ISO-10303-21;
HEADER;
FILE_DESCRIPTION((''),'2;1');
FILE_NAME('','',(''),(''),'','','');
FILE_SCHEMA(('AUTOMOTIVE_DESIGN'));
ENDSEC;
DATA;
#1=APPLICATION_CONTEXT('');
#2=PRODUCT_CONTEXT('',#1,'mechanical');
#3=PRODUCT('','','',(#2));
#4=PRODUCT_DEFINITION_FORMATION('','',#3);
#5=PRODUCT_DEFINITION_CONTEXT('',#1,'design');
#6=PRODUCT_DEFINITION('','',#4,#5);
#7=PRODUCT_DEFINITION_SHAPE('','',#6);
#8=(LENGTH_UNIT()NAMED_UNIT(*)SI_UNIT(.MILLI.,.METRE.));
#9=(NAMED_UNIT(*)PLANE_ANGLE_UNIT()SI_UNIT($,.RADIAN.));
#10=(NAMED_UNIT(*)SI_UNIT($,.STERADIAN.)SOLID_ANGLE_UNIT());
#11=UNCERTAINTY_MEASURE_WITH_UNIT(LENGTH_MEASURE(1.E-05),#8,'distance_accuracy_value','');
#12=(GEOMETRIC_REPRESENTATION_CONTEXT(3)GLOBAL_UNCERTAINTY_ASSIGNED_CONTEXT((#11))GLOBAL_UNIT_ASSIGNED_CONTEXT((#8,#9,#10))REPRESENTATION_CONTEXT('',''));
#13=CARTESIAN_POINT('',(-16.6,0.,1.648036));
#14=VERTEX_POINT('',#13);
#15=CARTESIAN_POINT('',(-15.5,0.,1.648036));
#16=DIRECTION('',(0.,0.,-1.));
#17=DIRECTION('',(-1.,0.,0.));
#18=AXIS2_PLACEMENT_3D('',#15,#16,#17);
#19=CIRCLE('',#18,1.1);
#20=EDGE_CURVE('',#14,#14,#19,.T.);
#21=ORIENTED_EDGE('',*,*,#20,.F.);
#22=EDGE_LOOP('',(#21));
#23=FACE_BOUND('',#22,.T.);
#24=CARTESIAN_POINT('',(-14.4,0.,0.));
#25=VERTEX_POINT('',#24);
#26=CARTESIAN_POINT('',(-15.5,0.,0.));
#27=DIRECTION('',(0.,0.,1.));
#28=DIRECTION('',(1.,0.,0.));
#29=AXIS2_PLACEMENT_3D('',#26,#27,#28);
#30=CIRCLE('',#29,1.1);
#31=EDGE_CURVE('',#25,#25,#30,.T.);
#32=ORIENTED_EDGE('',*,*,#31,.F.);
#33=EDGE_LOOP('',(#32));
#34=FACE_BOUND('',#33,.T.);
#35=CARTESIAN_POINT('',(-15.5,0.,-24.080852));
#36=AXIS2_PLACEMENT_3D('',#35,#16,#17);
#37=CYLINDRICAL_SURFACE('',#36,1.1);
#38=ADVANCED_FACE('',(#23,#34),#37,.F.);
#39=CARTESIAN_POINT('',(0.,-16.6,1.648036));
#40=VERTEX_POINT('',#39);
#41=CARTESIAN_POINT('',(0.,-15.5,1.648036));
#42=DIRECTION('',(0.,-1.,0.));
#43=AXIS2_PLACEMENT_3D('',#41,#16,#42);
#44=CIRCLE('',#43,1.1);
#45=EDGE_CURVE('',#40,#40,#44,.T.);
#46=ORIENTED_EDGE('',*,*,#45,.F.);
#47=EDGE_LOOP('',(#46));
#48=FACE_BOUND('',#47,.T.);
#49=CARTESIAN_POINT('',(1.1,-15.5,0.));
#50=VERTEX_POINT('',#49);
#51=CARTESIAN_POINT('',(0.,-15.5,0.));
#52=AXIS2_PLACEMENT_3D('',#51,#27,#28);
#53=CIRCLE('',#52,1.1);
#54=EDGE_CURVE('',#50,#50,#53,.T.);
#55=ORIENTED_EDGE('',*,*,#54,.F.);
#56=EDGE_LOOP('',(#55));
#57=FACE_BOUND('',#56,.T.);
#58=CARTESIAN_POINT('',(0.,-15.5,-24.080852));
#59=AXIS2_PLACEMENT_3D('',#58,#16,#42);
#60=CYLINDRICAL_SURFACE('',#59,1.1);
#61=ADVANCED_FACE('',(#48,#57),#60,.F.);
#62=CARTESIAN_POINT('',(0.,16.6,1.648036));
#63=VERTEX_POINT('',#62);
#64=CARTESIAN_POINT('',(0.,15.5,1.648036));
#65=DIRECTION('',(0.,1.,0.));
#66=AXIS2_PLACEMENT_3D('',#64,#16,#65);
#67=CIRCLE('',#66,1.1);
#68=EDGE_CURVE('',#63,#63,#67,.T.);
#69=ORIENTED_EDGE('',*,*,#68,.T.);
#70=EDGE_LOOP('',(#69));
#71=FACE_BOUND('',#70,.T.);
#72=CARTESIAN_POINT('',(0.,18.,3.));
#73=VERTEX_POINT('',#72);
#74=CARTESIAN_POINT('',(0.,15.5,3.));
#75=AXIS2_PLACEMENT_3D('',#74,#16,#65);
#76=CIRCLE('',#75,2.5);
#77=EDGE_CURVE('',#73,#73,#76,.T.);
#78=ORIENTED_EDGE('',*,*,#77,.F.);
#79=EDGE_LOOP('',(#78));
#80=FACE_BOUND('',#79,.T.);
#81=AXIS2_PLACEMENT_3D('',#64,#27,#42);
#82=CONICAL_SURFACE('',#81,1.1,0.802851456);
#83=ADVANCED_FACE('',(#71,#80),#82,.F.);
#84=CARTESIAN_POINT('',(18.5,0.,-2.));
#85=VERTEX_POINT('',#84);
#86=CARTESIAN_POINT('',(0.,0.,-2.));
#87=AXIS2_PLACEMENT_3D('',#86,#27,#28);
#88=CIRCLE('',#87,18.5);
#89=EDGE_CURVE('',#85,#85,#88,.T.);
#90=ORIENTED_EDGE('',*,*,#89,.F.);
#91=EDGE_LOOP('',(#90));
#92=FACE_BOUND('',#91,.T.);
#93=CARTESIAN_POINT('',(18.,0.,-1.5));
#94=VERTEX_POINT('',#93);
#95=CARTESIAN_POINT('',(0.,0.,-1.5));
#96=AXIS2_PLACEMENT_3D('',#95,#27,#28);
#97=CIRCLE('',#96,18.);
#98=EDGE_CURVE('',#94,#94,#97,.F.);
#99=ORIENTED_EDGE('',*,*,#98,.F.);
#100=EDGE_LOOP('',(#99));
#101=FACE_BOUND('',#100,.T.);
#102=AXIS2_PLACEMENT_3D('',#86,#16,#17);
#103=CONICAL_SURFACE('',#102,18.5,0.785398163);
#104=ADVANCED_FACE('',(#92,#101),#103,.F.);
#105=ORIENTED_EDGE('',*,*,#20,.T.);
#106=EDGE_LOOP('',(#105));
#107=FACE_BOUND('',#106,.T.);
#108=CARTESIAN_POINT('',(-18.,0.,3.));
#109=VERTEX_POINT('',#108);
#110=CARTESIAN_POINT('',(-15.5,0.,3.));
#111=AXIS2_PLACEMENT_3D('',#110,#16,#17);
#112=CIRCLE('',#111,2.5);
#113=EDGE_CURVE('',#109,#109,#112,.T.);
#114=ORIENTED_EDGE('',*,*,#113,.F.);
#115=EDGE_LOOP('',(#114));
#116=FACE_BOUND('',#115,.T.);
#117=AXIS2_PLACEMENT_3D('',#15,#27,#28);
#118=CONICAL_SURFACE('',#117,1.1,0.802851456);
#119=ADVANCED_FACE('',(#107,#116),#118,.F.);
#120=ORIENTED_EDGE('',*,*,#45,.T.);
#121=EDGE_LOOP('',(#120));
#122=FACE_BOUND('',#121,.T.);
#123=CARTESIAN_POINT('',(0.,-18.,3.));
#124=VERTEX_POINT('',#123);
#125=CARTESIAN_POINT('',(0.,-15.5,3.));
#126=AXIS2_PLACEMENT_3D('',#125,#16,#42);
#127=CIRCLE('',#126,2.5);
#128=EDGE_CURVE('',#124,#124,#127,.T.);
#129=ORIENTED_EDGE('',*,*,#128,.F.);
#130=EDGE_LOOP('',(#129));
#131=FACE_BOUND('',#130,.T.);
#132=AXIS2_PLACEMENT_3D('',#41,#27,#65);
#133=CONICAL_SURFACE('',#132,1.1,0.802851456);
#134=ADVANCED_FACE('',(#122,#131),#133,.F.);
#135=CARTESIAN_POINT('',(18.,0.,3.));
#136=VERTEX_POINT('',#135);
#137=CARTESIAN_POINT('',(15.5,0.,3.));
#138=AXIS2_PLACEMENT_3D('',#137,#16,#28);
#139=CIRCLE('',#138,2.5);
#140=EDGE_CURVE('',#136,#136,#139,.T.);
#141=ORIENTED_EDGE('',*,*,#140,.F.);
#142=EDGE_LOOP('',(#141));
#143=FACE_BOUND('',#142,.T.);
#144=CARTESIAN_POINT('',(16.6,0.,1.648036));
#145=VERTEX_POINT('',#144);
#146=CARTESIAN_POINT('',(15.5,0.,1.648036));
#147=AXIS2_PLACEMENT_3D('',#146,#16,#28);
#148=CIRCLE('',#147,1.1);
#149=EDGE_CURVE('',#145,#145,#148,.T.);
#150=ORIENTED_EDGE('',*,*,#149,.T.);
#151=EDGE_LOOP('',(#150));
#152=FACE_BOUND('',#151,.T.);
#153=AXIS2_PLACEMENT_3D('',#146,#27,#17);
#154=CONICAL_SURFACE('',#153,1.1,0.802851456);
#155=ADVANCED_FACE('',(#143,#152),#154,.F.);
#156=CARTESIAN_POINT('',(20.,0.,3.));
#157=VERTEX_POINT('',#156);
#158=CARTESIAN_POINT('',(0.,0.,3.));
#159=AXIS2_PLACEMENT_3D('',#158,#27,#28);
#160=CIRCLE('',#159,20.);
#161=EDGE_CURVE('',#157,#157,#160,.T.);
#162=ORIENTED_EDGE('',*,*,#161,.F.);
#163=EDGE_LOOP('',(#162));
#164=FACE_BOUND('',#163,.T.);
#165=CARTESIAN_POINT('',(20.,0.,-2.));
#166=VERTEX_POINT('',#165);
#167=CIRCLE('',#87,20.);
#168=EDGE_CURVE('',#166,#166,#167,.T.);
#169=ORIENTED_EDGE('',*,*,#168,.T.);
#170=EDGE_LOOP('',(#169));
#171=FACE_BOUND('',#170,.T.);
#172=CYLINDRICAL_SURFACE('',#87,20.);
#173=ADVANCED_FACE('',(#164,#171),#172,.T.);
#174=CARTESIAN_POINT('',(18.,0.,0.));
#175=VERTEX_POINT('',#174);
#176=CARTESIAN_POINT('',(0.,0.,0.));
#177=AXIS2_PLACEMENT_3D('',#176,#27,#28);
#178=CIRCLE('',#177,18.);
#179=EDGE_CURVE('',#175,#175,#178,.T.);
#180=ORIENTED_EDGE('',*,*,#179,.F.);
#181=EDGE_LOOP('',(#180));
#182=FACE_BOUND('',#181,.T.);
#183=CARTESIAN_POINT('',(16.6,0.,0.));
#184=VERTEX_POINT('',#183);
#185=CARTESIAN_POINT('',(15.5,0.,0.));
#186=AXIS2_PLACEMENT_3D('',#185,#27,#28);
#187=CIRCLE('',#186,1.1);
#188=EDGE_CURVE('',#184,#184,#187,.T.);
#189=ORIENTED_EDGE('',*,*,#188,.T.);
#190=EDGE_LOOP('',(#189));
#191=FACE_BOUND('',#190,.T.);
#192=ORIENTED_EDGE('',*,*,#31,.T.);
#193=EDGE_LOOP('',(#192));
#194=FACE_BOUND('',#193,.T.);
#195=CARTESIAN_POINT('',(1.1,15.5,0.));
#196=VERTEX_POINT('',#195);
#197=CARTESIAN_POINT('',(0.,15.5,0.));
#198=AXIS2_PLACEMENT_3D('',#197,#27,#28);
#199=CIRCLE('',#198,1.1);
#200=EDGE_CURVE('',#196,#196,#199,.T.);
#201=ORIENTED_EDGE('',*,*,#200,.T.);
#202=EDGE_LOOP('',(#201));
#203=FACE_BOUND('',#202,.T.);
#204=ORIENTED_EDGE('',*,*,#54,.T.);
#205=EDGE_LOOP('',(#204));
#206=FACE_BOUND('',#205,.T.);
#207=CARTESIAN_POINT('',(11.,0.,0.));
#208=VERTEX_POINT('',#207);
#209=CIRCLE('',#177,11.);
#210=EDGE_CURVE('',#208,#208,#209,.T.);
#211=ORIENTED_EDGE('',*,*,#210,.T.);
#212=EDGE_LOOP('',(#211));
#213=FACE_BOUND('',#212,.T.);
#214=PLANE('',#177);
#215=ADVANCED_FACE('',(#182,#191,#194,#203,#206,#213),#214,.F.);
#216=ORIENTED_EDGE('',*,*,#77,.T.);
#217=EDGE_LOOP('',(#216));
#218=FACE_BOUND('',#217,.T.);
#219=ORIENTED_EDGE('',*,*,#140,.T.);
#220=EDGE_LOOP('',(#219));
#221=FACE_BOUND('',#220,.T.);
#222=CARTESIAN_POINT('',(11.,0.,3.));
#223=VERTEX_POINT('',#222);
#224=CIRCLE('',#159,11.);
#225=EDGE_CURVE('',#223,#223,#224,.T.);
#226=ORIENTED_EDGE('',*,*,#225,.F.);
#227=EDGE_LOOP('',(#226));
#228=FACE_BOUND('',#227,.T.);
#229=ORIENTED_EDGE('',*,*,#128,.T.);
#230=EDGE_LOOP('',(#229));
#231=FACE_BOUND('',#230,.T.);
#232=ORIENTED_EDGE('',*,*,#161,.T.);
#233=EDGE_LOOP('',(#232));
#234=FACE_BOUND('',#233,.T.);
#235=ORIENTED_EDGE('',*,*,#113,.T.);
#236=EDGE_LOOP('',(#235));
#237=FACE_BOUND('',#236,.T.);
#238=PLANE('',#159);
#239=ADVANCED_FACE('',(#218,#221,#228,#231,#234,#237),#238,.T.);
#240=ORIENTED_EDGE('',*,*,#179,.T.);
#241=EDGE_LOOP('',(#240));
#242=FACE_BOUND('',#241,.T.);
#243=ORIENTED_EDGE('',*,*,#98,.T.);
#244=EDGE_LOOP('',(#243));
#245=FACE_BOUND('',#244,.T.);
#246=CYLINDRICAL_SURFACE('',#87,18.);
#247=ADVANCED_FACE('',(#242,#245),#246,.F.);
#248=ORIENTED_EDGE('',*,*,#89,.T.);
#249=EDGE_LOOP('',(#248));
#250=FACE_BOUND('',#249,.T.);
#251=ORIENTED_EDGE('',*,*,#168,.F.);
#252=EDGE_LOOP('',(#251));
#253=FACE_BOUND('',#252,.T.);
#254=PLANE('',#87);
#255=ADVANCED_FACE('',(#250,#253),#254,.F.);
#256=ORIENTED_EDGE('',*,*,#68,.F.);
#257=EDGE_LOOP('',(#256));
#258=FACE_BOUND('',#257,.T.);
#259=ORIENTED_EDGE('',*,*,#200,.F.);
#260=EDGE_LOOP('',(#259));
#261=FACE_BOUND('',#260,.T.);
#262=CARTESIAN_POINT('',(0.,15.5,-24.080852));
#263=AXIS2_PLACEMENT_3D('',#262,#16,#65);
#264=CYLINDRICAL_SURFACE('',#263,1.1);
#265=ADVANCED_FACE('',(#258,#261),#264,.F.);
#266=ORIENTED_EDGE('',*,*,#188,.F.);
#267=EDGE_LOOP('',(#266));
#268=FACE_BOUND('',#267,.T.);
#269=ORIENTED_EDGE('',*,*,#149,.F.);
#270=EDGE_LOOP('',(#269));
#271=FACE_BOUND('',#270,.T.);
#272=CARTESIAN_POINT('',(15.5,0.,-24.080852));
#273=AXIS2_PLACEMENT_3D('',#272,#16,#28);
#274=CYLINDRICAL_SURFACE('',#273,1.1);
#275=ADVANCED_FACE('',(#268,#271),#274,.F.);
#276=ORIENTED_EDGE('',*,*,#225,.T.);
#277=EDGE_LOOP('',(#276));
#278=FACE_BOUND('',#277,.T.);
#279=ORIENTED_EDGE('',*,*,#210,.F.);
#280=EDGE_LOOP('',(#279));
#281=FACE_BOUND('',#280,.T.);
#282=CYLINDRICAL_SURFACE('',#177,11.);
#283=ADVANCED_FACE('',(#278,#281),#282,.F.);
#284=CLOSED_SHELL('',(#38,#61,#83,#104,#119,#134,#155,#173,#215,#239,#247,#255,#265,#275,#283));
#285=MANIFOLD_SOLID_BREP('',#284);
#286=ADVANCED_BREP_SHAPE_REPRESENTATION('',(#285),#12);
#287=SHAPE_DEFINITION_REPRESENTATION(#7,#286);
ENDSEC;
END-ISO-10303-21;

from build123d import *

# Parameters (mm, degrees)
EXTRUDE_1_DEPTH          = 3
SKETCH_2_R               = 11
CUT_EXTRUDE_1_DEPTH      = 4
SKETCH_5_R               = 20
SKETCH_5_R_2             = 18
EXTRUDE_2_DEPTH          = 5
PATTERN_CIRCULAR_1_COUNT = 4
CHAMFER_1_SIZE           = 0.5


with BuildPart() as part:
    # Эскиз1 → Бобышка-Вытянуть1 (new body)
    with BuildSketch(Plane.XY):
        with BuildLine():
            ThreePointArc((-17.685483871, -3.350173167), (-12.727922061, -12.727922061), (-3.350173167, -17.685483871))
            ThreePointArc((-3.350173167, -17.685483871), (10.136595409, -14.874455738), (17.685483871, -3.350173167))
            ThreePointArc((17.685483871, -3.350173167), (12.727922061, 12.727922061), (-3.350173167, 17.685483871))
            ThreePointArc((-3.350173167, 17.685483871), (-14.874455738, 10.136595409), (-17.685483871, -3.350173167))
        make_face()
    extrude(amount=EXTRUDE_1_DEPTH)

    # Эскиз2 → Вырез-Вытянуть1 (cut, through all)
    with BuildSketch(Plane.XY.offset(3)):
        Circle(SKETCH_2_R)
    extrude(amount=-CUT_EXTRUDE_1_DEPTH, mode=Mode.SUBTRACT)

    # Эскиз5 → Бобышка-Вытянуть2 (add)
    with BuildSketch(Plane.XY.offset(3)):
        Circle(SKETCH_5_R)
        Circle(SKETCH_5_R_2, mode=Mode.SUBTRACT)
    extrude(amount=-EXTRUDE_2_DEPTH)

    # Эскиз6 → Вырез-Повернуть1 (revolve, cut)
    with BuildSketch(Plane(origin=(0, 0, 0), x_dir=(1, 0, 0), z_dir=(0, 1, 0))):
        Polygon((-16.6, -1.648035715), (-18, -3), (-15.5, -3), (-15.5, -1.648035715), (-15.5, 2), (-16.6, 2), align=None)
    cut_revolve_1 = revolve(axis=Axis((-15.5, 0, -24.0808518), (0, 0, 1)), mode=Mode.SUBTRACT)

    # Круговой массив1: Вырез-Повернуть1 ×4 about axis
    pattern_circular_1_axis = Axis((0, 0, 0), (0, 0, 1))
    for i in range(1, PATTERN_CIRCULAR_1_COUNT):
        add(cut_revolve_1.rotate(pattern_circular_1_axis, i * 360 / PATTERN_CIRCULAR_1_COUNT), mode=Mode.SUBTRACT)

    # Фаска1
    chamfer_1_edges = [part.edges().sort_by_distance(p)[0] for p in [
        (-18, 0, -2),
    ]]
    chamfer(chamfer_1_edges, length=CHAMFER_1_SIZE)


solid = part.part
